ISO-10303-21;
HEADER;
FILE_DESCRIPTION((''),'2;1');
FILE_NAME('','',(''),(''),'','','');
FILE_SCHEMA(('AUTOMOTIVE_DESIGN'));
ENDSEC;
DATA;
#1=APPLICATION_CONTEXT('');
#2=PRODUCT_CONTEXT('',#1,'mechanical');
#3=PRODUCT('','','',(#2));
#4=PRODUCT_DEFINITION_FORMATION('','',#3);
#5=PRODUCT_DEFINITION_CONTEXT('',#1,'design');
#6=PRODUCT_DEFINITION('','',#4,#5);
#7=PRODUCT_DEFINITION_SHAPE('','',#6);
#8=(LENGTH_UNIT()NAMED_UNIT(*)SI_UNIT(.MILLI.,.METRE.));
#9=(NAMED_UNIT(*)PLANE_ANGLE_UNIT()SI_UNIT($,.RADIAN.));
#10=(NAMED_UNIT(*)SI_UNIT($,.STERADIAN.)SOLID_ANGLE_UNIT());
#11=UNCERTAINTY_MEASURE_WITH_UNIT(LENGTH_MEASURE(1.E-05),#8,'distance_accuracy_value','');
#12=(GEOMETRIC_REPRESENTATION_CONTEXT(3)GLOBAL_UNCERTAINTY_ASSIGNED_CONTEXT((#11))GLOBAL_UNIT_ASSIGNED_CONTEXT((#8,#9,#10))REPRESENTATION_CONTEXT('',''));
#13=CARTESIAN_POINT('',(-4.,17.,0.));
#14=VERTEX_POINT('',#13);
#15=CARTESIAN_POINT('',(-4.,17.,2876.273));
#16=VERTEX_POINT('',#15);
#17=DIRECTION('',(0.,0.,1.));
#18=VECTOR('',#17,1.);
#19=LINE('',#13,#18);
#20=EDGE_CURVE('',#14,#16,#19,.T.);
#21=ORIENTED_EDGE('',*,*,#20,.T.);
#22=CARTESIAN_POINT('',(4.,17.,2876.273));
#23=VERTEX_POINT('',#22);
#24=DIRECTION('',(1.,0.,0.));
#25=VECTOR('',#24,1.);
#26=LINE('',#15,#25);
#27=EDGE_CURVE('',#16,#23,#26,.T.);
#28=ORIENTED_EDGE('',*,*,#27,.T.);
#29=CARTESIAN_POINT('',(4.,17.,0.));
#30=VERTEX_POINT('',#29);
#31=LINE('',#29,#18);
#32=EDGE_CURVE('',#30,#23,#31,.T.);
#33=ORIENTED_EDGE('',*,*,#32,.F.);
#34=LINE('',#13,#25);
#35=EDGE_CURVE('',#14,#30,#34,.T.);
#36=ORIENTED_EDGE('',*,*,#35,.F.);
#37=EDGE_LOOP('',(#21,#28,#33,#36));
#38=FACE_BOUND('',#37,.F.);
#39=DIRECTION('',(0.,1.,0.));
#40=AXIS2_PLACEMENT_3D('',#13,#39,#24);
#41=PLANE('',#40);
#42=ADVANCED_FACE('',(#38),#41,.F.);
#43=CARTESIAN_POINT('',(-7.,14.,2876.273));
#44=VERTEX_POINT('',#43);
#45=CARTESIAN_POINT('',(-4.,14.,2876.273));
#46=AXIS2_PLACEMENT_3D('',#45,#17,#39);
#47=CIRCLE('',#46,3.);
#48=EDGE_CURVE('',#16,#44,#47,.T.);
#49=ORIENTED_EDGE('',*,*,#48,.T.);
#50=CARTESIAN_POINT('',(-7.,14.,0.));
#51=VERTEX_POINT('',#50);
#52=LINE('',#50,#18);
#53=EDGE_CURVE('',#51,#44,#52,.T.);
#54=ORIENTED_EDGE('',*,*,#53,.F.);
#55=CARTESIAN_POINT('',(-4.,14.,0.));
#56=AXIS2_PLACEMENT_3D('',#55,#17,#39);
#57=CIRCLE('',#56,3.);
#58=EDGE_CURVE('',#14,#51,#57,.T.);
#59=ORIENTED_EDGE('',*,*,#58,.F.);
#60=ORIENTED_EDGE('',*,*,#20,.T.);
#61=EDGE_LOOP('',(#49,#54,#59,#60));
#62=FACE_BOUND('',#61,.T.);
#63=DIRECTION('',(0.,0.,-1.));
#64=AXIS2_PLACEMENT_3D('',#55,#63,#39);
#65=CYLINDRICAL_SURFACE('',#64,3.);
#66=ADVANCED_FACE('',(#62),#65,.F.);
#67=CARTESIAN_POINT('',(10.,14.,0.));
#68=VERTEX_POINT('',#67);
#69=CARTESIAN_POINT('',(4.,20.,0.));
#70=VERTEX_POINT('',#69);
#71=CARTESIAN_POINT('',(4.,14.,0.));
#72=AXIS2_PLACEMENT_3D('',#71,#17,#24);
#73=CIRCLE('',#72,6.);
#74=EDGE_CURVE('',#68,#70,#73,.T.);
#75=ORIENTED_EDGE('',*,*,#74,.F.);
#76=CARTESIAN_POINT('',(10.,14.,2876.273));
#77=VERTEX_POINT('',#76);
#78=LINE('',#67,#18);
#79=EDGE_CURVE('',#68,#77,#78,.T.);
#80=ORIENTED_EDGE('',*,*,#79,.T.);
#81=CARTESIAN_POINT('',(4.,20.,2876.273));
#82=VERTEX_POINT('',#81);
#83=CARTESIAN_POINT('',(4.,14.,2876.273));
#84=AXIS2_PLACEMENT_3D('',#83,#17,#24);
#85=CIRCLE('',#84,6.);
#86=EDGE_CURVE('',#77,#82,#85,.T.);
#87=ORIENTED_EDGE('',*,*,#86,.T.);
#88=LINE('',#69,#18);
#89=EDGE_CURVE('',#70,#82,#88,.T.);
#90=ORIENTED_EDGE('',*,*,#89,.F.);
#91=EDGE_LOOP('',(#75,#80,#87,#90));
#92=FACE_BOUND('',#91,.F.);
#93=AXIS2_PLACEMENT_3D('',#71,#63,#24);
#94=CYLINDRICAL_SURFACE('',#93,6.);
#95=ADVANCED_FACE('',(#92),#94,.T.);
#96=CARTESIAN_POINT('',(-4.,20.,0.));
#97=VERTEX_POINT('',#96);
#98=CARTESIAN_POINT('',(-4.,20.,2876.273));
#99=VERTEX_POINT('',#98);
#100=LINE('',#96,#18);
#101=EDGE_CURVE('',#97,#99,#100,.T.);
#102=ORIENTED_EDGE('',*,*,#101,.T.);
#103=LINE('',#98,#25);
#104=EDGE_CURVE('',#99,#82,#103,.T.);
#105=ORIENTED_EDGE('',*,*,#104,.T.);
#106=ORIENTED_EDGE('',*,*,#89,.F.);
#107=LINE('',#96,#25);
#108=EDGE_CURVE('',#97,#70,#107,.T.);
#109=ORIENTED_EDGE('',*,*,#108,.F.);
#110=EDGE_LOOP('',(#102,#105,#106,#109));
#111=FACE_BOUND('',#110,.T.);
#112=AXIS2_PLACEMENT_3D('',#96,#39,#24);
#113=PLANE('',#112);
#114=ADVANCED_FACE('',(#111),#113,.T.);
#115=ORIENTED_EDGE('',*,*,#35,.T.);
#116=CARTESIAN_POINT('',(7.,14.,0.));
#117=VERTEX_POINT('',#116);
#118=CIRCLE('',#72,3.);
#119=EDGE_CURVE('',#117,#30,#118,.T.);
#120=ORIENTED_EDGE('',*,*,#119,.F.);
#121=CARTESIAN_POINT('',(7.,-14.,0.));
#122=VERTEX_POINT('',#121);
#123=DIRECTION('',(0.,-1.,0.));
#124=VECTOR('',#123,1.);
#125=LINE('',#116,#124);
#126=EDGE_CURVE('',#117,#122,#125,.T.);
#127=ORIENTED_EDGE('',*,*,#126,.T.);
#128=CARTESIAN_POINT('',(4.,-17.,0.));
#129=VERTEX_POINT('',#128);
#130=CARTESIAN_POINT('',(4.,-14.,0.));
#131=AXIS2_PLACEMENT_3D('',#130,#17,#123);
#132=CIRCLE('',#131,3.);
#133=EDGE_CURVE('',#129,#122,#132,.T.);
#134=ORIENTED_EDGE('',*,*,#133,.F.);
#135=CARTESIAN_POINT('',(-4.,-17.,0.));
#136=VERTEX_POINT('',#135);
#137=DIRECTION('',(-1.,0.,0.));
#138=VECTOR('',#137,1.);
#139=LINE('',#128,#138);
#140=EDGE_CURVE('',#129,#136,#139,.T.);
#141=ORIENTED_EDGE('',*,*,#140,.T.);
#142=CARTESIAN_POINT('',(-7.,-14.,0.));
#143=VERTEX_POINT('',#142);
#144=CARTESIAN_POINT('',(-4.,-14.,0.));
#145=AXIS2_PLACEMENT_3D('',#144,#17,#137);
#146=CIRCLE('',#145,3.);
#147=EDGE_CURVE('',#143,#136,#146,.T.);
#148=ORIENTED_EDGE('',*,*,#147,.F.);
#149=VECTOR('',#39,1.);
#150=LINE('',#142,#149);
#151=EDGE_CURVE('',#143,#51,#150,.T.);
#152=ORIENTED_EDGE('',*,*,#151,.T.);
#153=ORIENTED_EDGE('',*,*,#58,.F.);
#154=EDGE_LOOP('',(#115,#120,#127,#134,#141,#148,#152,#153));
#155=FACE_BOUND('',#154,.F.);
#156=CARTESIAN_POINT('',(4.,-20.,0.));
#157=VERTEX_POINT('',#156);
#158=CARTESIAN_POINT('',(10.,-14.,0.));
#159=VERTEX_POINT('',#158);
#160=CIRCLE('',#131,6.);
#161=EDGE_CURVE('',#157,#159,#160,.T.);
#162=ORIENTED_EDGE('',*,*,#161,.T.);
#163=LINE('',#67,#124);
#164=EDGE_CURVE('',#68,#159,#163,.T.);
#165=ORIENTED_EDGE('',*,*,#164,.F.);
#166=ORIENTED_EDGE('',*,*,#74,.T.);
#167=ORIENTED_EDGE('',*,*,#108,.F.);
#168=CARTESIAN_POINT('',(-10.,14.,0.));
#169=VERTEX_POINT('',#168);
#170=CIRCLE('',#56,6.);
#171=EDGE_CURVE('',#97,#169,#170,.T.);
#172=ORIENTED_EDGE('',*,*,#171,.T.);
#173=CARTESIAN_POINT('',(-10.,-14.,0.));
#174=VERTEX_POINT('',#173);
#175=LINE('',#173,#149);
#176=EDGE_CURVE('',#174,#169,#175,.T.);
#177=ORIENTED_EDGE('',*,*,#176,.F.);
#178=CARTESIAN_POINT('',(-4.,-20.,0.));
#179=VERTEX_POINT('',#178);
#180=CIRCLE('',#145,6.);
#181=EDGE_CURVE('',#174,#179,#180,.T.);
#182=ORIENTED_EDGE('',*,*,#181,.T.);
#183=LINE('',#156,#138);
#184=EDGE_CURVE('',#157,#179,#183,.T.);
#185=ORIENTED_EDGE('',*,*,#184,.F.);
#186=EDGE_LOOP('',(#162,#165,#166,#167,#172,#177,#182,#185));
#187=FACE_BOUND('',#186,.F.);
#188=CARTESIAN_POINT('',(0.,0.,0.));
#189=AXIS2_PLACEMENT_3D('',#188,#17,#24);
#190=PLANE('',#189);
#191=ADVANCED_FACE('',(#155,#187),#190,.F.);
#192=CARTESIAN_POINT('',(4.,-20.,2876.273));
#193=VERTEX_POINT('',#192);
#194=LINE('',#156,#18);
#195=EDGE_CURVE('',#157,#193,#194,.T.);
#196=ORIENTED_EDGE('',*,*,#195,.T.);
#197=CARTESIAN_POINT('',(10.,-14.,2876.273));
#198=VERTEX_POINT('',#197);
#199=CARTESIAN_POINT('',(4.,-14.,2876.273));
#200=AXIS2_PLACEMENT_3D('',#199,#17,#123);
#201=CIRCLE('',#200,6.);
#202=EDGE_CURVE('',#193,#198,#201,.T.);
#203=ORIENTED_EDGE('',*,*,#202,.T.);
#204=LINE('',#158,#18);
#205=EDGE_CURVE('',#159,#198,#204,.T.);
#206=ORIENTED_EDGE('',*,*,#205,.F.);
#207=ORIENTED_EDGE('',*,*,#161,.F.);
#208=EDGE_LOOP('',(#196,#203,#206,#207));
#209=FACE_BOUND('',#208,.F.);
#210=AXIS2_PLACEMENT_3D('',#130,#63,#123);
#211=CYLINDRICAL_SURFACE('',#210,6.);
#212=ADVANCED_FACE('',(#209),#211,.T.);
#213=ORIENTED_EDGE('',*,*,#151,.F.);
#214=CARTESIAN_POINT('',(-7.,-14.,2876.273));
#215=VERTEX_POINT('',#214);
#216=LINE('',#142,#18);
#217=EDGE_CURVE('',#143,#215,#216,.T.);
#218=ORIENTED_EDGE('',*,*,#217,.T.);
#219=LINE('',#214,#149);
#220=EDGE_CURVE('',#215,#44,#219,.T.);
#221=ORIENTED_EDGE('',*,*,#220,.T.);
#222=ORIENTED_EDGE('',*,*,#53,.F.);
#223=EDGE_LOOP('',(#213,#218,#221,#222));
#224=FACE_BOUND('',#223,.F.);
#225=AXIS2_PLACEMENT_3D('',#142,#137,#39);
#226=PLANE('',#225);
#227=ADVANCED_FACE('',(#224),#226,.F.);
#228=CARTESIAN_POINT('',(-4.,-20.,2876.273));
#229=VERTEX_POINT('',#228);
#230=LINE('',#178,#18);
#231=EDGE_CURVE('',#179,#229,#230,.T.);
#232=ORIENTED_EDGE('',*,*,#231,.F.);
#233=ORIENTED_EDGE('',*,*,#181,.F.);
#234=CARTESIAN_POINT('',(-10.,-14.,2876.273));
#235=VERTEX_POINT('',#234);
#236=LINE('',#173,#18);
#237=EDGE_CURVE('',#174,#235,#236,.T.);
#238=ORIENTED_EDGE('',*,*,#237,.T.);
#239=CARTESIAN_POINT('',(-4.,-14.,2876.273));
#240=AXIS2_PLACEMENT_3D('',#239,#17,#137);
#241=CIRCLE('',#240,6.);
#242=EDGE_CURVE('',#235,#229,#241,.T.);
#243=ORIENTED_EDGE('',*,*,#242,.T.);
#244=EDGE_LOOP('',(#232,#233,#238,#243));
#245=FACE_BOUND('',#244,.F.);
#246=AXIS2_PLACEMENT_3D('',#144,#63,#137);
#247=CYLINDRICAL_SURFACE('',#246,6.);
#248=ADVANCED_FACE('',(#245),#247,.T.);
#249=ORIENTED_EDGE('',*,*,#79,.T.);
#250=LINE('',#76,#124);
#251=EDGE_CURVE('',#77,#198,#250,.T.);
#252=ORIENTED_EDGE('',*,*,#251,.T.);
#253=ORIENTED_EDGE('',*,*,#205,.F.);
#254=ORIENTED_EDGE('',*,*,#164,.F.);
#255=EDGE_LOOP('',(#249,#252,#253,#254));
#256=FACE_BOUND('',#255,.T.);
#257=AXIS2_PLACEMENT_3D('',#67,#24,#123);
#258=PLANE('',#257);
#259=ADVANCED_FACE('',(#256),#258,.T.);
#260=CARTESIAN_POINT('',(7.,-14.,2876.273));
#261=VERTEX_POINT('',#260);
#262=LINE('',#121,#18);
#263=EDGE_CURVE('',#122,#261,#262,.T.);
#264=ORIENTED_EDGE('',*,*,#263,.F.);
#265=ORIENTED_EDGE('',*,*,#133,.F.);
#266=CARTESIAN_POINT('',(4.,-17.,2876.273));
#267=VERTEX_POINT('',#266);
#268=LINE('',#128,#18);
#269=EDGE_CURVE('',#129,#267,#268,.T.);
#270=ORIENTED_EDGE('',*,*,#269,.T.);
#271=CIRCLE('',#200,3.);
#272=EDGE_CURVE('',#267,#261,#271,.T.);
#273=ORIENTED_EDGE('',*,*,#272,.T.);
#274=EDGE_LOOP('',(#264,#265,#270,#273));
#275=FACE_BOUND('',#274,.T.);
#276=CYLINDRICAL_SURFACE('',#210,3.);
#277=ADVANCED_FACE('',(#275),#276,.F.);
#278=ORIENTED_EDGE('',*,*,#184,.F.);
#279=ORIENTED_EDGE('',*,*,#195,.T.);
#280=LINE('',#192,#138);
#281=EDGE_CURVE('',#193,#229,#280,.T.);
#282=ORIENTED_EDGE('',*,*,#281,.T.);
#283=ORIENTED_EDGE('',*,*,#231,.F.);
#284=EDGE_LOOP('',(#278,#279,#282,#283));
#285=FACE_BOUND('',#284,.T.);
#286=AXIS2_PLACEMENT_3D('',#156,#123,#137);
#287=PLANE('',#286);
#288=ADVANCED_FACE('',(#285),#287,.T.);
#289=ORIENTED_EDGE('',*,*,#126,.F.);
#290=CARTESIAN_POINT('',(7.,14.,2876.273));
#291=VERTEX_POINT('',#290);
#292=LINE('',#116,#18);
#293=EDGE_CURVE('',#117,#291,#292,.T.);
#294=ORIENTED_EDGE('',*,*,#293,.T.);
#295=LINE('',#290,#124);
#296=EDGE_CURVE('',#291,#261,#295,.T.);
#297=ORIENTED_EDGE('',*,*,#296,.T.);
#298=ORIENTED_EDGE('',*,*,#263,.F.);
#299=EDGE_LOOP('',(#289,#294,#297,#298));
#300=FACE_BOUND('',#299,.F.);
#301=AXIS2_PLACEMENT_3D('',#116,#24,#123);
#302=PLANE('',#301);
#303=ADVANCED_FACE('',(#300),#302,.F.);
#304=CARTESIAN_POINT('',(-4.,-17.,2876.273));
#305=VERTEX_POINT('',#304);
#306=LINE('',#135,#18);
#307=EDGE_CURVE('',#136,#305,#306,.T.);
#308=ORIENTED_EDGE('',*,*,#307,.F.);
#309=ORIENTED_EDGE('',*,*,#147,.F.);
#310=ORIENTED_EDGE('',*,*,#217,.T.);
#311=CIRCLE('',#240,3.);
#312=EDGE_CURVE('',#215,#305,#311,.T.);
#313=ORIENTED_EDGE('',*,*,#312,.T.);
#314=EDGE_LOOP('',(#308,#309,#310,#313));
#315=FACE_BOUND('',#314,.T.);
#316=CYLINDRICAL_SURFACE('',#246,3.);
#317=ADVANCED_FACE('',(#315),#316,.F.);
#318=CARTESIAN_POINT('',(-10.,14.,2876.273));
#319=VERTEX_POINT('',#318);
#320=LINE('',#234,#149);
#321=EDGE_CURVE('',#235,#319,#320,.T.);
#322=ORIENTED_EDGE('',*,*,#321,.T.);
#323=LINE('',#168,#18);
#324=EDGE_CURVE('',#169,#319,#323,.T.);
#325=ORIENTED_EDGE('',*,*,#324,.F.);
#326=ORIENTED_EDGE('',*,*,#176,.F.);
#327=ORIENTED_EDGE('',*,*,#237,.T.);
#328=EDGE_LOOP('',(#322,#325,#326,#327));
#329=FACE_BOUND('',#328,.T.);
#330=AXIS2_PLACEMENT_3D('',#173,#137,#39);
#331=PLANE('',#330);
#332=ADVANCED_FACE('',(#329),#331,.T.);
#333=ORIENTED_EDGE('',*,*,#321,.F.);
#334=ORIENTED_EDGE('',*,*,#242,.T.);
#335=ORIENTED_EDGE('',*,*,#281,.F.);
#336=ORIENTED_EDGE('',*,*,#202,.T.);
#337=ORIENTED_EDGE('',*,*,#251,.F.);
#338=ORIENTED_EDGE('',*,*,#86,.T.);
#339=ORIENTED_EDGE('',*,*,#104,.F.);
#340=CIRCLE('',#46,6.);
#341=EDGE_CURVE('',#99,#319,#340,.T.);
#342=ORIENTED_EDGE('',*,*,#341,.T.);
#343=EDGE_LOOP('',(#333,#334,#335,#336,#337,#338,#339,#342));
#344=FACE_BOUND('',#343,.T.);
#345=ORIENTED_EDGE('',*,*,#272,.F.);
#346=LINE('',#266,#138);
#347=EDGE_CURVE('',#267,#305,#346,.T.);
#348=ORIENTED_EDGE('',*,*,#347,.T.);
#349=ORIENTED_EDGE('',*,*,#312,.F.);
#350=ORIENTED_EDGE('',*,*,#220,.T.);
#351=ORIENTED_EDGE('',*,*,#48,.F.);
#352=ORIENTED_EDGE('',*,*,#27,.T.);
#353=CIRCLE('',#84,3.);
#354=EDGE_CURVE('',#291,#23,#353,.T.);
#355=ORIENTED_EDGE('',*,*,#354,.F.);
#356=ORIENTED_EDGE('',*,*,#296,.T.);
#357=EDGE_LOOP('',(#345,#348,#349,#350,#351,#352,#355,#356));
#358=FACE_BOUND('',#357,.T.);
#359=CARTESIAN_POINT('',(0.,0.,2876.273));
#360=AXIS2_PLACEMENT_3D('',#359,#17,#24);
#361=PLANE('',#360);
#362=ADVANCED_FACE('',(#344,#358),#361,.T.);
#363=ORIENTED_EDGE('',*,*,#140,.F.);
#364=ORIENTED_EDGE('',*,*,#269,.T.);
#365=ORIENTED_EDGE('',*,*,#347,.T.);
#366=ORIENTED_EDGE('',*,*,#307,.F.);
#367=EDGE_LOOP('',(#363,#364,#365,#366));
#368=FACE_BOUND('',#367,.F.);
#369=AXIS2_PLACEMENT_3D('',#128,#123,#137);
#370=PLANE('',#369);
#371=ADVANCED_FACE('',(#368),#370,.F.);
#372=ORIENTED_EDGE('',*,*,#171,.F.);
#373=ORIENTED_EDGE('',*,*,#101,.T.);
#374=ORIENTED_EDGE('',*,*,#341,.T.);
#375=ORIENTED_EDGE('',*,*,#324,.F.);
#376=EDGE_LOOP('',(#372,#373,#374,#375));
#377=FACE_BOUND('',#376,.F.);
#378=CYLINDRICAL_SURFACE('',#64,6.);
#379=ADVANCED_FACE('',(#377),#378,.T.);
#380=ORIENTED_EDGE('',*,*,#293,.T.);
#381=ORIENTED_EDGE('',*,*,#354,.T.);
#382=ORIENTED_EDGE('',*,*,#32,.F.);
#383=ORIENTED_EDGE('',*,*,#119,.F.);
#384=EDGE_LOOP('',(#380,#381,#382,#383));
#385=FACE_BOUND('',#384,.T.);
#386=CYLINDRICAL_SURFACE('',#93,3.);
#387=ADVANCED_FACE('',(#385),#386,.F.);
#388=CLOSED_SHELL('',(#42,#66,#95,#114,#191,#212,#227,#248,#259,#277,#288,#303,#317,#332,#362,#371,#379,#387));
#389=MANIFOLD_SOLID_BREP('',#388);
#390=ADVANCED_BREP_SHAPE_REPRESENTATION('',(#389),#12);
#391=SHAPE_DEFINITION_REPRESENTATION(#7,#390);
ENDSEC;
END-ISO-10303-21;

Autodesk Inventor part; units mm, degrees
ref_plane "YZ Plane" through (0, 0, 0) normal (1, 0, 0) x (0, 1, 0)
ref_plane "Start Plane" through (0, 0, 0) normal (0, 0, 1) x (1, 0, 0)
ref_plane "End Plane" through (0, 0, 2876.273) normal (0, 0, 1) x (1, 0, 0)
sketch "Sketch" plane through (0, 0, 0) normal (0, 0, 1) x (1, 0, 0)
  line L0 (-10, -14) -> (-10, 14)
  line L1 (-4, 20) -> (4, 20)
  line L2 (10, 14) -> (10, -14)
  line L3 (4, -20) -> (-4, -20)
  arc A0 (-10, -14) -> (-4, -20) centre (-4, -14) ccw
  arc A1 (10, 14) -> (4, 20) centre (4, 14) ccw
  arc A2 (-4, 20) -> (-10, 14) centre (-4, 14) ccw
  arc A3 (4, -20) -> (10, -14) centre (4, -14) ccw
  arc A4 (-4, 17) -> (-7, 14) centre (-4, 14) ccw
  line L4 (-4, 17) -> (4, 17)
  arc A5 (7, 14) -> (4, 17) centre (4, 14) ccw
  line L5 (7, 14) -> (7, -14)
  arc A6 (4, -17) -> (7, -14) centre (4, -14) ccw
  line L6 (4, -17) -> (-4, -17)
  arc A7 (-7, -14) -> (-4, -17) centre (-4, -14) ccw
  line L7 (-7, -14) -> (-7, 14)
  line L8 (0, 29.7397) -> (0, -29.7397) construction
  line L9 (-15.7397, 0) -> (15.7397, 0) construction
  dimension "d7" = 6
  dimension "d9" = 20
  dimension "d11" = 40
  dimension "d12" = 3
  dimension "d15" = 10
  dimension "d16" = 20
extrude "Body" add sketch "Sketch" along normal up to surface (2876.273 mm away) from surface at 0
sketch "Sketch3" plane through (0, 0, 0) normal (0, 0, 1) x (1, 0, 0)
  line L0 (0, 0) -> (10, 0)
ref_plane "Work Plane3" through (0, 0, 0) normal (0, -1, 0) x (1, 0, 0)
sketch "Sketch4" plane through (0, 0, 0) normal (0, -1, 0) x (1, 0, 0)
  line L0 (-2, 0) -> (12, 0) projected
  line L1 (-2, 2876.273) -> (12, 2876.273) projected
  dimension "d18" = 2876.273
equation "\"d7\" = G_IR"
equation "\"d9\" = G_W"
equation "\"d11\" = G_H"
equation "\"d12\" = G_T"
equation "\"d15\" = 0.5 * d9"
equation "\"d16\" = 0.5 * d11"
equation "\"d3\" = G_L"
equation "\"G_W\" = 20"
equation "\"G_H\" = 40"
equation "\"G_T\" = 3"
equation "\"G_IR\" = 6"
equation "\"G_L\" = d18"
equation "\"G_OFFSET_START\" = 0"
equation "\"G_OFFSET_END\" = 0"
equation "\"d14\" = G_OFFSET_END + B_L"
equation "\"B_L\" = 2876.273"
properties part number "ISO 4019 - 40x20x3 - 2876,27" material "Steel, Mild"
